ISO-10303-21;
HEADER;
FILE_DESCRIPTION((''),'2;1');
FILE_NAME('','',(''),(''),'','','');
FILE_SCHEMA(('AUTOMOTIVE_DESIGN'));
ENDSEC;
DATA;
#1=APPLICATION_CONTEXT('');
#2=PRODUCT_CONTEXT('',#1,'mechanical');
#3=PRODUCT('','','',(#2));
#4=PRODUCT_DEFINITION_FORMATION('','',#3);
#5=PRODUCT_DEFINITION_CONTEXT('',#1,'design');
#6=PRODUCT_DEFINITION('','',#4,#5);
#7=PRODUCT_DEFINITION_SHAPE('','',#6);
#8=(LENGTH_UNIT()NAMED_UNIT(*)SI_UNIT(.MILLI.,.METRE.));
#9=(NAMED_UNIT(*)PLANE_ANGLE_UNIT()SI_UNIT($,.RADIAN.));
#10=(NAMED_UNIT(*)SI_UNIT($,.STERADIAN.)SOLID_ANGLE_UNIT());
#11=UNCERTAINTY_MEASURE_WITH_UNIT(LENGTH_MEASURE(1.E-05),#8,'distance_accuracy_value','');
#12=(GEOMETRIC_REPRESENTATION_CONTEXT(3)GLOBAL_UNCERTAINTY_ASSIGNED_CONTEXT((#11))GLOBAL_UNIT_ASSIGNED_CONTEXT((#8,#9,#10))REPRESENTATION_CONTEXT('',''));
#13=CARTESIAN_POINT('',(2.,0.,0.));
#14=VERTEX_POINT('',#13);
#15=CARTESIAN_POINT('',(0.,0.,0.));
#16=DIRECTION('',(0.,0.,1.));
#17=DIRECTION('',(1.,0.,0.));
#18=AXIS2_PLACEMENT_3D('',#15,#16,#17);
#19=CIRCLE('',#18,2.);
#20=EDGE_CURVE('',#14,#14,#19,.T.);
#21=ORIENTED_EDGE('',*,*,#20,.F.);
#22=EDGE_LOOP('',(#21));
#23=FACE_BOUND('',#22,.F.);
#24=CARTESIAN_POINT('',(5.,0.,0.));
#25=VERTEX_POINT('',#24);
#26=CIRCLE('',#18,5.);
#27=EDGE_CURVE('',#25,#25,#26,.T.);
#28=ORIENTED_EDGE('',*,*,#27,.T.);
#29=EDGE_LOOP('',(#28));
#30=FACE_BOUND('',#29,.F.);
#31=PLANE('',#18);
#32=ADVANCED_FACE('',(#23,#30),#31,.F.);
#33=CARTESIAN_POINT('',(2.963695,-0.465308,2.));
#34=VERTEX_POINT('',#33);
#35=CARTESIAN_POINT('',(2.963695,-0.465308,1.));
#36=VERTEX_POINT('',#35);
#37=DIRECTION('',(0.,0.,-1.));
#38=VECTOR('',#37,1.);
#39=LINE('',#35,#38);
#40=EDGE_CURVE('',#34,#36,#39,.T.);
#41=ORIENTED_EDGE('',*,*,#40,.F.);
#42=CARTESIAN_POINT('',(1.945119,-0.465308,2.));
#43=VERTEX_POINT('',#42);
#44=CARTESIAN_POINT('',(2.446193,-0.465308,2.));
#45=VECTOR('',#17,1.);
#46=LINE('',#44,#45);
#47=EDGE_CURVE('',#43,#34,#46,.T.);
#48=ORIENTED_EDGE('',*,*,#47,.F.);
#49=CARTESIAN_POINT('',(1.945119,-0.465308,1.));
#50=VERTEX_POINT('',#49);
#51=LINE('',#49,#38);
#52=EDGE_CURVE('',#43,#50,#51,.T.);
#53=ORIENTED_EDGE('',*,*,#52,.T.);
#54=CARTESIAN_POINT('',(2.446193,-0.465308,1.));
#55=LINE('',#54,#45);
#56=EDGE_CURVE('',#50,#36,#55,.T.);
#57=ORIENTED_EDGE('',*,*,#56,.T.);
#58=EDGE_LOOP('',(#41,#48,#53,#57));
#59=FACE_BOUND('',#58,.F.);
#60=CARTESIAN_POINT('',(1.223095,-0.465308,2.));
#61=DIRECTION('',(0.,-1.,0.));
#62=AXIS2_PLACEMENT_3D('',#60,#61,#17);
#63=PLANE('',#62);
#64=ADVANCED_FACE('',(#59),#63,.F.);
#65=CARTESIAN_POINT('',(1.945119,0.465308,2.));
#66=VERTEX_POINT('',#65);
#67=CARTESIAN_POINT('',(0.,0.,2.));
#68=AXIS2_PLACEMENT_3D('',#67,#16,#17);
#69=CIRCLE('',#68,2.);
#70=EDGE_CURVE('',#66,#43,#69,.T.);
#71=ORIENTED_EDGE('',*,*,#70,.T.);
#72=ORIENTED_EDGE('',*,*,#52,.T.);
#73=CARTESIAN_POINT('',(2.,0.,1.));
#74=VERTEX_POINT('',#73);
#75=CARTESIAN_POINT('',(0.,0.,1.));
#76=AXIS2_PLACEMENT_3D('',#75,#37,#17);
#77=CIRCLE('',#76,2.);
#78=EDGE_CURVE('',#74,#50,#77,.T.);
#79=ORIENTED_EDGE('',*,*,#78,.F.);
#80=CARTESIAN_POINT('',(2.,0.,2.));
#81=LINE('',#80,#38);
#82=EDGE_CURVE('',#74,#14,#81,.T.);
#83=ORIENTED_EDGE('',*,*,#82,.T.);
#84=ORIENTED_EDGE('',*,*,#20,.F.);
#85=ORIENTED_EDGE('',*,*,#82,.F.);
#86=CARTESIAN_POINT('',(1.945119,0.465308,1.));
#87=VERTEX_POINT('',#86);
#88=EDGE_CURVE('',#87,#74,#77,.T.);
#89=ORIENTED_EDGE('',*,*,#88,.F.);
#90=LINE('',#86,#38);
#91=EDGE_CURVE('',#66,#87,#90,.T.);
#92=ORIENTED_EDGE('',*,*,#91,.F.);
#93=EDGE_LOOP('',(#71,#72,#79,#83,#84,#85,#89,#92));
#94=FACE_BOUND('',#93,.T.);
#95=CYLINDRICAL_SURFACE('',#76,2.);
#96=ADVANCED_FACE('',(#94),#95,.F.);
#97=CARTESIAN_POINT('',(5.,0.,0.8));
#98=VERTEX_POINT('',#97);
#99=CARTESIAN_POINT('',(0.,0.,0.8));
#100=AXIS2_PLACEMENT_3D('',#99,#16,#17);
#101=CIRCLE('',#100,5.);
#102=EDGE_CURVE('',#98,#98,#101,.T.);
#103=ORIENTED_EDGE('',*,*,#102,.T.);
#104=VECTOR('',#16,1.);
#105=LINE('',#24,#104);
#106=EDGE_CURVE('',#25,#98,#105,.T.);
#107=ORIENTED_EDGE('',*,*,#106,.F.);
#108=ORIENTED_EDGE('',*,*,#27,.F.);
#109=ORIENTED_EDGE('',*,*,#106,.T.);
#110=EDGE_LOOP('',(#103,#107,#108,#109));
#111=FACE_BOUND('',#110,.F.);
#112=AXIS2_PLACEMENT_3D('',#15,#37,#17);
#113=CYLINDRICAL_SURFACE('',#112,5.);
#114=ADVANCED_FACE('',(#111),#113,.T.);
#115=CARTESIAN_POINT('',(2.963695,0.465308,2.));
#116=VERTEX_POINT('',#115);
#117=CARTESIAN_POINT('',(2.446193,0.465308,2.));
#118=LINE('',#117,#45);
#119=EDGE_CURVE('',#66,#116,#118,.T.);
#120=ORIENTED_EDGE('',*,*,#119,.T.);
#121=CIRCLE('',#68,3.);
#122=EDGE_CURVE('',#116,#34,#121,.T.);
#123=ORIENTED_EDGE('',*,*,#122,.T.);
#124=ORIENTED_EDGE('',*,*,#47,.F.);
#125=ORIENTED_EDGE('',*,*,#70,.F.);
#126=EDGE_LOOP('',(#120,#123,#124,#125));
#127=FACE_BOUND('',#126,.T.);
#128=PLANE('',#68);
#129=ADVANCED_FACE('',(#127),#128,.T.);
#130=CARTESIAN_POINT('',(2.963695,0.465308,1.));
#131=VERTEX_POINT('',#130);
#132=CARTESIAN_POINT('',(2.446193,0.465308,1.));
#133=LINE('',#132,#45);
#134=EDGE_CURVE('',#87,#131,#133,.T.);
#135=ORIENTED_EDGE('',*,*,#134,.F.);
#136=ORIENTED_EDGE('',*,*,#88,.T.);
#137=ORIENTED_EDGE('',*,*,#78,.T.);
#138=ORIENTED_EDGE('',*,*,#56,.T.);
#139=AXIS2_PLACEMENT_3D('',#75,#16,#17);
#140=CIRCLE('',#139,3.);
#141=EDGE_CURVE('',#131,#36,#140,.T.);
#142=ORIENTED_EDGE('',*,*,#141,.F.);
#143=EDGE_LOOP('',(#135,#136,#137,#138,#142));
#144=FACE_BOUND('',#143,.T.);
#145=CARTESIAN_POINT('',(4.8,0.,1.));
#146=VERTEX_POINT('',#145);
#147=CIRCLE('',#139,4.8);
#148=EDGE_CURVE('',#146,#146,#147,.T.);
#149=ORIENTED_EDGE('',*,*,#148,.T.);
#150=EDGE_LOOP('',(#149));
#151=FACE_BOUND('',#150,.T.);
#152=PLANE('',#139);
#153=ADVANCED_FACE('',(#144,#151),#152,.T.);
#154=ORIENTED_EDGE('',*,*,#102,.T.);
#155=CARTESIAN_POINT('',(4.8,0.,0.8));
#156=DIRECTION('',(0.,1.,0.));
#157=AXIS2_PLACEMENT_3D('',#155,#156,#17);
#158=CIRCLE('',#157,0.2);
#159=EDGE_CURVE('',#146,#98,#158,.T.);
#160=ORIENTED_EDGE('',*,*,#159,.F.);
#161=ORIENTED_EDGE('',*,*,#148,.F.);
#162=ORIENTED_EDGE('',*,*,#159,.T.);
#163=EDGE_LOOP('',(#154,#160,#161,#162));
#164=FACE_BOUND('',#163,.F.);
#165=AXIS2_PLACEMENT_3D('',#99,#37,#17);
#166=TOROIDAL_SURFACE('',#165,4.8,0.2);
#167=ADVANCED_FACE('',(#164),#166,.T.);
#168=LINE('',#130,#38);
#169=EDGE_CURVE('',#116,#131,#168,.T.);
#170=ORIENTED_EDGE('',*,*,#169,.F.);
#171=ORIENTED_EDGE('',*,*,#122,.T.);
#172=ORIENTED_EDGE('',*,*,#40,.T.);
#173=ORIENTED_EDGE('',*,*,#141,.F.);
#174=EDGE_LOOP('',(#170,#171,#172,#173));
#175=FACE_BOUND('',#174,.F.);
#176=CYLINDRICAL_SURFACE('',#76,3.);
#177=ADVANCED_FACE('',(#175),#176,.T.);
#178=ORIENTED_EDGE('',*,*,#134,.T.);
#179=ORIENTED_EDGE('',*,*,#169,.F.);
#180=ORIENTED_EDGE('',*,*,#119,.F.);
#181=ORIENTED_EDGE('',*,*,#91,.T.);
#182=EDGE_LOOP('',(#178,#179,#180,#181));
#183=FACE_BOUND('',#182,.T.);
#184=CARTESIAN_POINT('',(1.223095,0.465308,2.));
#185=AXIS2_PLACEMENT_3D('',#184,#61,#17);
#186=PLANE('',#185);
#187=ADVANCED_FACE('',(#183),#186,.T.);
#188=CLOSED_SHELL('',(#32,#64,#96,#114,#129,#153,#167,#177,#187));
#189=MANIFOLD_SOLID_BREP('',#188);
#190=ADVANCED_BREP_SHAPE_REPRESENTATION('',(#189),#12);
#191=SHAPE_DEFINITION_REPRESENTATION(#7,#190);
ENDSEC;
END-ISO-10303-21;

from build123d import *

# Parameters (mm, degrees)
F0_R     = 5
F0_R_2   = 2
F1_DEPTH = 1
F2_R     = 3
F2_R_2   = 2
F3_DEPTH = 1
F4_W     = 2.446195
F4_H     = 0.930616
F5_DEPTH = 1
F6_R     = 0.2


with BuildPart() as f1:
    # F0 (on Top) → F1 (new body)
    with BuildSketch(Plane.XY):
        Circle(F0_R)
        Circle(F0_R_2, mode=Mode.SUBTRACT)
    extrude(amount=F1_DEPTH)

    # F2 (on face) → F3 (join)
    with BuildSketch(Plane.XY.offset(1)):
        Circle(F2_R)
        Circle(F2_R_2, mode=Mode.SUBTRACT)
    extrude(amount=F3_DEPTH)

    # F4 (on face) → F5 (cut)
    with BuildSketch(Plane.XY.offset(2)):
        with Locations((2.446193, 0)):
            Rectangle(F4_W, F4_H)
    extrude(amount=-F5_DEPTH, mode=Mode.SUBTRACT)

    # F6
    f6_edges = [f1.edges().sort_by_distance(p)[0] for p in [
        (-5, 0, 1),
    ]]
    fillet(f6_edges, radius=F6_R)


solid = f1.part
